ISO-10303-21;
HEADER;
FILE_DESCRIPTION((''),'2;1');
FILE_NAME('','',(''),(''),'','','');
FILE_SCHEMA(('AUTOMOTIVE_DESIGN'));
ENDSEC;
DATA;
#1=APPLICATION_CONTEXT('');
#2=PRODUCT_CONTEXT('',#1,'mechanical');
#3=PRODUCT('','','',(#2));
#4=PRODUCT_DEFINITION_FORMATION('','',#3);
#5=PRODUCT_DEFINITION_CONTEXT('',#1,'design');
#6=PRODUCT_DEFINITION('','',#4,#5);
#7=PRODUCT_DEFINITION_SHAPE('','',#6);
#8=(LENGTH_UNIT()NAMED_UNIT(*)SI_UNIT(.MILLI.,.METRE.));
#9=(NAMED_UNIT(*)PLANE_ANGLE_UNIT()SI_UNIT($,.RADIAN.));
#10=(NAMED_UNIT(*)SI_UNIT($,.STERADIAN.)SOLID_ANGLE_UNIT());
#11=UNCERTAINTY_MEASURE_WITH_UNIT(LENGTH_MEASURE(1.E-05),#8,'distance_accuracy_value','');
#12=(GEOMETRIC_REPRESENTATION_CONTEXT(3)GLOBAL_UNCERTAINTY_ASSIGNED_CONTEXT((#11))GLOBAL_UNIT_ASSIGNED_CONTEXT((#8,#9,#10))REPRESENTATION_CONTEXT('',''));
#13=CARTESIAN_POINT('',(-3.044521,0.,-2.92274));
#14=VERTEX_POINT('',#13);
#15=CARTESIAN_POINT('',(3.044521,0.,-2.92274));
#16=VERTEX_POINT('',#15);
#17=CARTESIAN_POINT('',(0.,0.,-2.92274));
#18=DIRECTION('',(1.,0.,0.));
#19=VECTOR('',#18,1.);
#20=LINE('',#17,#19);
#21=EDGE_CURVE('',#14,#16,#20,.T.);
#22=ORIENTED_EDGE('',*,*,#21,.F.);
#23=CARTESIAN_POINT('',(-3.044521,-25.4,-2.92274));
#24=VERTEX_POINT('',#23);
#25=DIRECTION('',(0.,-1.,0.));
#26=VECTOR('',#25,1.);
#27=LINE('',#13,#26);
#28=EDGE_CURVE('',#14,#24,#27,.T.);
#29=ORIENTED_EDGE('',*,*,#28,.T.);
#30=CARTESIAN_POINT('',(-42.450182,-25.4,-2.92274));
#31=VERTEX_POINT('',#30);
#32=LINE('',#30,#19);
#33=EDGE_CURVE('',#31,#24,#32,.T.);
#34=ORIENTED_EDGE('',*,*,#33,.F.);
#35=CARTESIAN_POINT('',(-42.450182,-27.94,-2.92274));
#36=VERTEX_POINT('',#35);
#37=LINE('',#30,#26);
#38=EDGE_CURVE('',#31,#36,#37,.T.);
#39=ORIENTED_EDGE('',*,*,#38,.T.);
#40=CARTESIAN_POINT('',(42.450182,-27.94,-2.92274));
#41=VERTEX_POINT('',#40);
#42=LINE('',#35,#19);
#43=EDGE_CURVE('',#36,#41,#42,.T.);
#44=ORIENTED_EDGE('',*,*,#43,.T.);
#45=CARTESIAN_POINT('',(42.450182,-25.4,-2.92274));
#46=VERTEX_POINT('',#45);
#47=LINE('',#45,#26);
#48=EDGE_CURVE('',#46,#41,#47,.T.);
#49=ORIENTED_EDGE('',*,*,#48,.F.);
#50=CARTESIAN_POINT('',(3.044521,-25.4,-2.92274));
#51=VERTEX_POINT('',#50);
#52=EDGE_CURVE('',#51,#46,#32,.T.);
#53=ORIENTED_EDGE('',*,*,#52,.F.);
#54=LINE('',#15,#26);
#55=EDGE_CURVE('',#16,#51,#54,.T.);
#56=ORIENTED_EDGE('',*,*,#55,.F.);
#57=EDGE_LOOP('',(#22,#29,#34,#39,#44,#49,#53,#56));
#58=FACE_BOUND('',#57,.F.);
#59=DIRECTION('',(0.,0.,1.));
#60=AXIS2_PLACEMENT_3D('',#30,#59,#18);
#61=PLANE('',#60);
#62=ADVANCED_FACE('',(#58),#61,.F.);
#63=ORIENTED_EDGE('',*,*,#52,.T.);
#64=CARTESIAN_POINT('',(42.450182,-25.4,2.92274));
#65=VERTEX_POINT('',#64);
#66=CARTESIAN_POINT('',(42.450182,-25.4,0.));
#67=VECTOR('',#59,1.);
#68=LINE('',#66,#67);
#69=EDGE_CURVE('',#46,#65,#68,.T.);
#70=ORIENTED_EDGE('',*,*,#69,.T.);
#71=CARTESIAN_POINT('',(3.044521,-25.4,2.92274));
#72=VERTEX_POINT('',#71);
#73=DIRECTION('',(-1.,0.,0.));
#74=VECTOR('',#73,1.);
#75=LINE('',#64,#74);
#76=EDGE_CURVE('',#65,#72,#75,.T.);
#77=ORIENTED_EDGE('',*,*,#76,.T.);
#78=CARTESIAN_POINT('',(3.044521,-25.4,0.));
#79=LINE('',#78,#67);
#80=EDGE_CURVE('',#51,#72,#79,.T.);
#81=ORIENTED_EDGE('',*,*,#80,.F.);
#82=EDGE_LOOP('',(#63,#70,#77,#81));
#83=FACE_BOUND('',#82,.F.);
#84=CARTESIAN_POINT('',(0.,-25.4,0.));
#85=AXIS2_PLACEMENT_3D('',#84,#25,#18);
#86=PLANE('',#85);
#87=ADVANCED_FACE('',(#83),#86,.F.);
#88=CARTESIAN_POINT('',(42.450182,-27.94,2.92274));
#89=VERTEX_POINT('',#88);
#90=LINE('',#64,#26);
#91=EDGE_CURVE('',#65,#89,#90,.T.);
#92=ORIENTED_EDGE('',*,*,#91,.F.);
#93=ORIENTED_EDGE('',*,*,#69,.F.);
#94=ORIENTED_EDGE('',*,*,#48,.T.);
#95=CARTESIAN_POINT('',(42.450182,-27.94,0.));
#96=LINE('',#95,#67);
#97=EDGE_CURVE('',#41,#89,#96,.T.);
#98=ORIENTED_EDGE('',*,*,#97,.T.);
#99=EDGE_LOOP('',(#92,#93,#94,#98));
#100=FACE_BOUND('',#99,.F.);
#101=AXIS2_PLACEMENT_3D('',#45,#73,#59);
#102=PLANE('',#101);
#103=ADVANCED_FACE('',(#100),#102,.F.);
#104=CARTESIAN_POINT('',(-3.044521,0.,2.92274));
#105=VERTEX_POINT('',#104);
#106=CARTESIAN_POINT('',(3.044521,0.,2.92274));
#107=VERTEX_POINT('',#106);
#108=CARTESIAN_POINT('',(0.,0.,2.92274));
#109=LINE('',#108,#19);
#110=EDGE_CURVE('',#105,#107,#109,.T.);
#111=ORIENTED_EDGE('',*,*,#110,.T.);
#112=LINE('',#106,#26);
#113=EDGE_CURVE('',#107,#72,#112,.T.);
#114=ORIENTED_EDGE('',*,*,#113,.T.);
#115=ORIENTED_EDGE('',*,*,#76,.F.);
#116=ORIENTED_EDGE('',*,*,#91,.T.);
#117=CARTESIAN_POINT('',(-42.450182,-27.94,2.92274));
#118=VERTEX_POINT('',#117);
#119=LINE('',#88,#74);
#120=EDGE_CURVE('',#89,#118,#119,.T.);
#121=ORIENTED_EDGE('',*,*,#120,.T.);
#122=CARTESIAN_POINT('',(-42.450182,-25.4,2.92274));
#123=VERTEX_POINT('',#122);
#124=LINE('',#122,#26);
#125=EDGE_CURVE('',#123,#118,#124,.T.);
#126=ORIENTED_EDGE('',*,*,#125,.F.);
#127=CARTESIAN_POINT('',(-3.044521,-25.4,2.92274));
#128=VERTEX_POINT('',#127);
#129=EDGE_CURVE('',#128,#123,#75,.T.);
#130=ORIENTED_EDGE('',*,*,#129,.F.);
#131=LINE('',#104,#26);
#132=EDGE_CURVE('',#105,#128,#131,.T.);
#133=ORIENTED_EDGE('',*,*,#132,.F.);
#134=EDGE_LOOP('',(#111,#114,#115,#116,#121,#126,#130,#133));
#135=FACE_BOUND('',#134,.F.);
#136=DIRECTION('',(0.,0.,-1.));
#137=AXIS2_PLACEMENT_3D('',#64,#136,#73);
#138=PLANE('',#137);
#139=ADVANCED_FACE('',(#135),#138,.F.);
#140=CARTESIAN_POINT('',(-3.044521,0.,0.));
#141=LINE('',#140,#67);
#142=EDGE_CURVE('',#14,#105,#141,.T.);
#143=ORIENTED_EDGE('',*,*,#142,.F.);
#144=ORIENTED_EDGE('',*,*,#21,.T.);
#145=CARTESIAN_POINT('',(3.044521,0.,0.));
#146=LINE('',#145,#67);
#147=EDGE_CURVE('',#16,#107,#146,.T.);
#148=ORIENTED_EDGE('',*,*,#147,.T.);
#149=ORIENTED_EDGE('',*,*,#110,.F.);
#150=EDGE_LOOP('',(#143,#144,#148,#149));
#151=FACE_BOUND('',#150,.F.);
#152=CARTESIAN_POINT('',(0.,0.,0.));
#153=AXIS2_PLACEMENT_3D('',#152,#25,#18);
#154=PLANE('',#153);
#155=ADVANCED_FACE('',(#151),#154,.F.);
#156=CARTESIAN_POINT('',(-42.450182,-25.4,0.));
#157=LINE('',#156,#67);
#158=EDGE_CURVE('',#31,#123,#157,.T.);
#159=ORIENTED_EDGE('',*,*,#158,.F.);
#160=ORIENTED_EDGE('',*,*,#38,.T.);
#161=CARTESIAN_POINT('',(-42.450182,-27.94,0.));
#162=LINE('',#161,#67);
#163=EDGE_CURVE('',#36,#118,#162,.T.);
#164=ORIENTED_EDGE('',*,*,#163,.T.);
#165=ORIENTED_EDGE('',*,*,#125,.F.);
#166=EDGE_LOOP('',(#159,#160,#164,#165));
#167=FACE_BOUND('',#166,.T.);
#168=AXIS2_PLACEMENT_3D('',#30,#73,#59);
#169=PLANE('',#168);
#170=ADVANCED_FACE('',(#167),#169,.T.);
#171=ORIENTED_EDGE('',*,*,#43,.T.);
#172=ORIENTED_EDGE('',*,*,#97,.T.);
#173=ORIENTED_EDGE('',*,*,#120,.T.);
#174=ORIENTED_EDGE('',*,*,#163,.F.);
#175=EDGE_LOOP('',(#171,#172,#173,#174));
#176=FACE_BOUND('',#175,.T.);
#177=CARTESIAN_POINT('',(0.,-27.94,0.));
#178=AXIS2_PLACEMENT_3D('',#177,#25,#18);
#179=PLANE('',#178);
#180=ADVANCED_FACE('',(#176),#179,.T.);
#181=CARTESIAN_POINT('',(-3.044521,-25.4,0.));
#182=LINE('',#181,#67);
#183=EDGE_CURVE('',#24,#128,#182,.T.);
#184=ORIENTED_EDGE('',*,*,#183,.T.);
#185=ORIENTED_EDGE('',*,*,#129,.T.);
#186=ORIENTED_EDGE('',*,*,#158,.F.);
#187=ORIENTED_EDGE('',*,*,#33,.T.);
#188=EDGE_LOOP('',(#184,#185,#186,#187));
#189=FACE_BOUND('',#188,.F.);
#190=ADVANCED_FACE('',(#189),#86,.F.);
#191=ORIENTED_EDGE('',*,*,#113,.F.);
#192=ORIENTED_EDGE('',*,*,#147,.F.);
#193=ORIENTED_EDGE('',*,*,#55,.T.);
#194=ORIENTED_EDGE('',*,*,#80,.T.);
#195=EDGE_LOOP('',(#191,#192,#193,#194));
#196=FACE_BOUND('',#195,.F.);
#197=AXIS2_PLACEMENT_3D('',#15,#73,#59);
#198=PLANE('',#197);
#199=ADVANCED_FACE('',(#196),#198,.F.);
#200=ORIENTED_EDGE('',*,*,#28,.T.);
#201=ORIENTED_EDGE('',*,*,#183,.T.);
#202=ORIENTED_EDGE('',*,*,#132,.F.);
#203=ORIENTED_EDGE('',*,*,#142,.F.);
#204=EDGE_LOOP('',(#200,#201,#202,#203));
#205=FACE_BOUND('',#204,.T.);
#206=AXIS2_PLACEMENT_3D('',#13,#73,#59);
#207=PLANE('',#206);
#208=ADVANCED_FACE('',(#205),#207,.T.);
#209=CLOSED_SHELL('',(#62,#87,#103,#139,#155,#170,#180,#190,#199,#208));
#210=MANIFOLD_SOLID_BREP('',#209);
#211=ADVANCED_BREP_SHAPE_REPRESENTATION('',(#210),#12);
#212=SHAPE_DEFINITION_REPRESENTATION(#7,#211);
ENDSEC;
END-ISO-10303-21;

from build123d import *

# Parameters (mm, degrees)
F0_W     = 6.0890410095
F0_H     = 5.8454792015
F1_DEPTH = 25.4
F2_W     = 6.0890410095
F2_H     = 5.8454792015
F2_W_2   = 39.4056616351
F3_DEPTH = 2.54


with BuildPart() as f1:
    # F0 (on Front) → F1 (new body)
    with BuildSketch(Plane.XZ):
        Rectangle(F0_W, F0_H)
    extrude(amount=F1_DEPTH)

    # F2 (on face) → F3 (join)
    with BuildSketch(Plane.XZ.offset(25.4)):
        Rectangle(F2_W, F2_H)
        with Locations((22.7473513223, 0)):
            Rectangle(F2_W_2, F2_H)
        with Locations((-22.7473513223, 0)):
            Rectangle(F2_W_2, F2_H)
    extrude(amount=F3_DEPTH)


solid = f1.part
